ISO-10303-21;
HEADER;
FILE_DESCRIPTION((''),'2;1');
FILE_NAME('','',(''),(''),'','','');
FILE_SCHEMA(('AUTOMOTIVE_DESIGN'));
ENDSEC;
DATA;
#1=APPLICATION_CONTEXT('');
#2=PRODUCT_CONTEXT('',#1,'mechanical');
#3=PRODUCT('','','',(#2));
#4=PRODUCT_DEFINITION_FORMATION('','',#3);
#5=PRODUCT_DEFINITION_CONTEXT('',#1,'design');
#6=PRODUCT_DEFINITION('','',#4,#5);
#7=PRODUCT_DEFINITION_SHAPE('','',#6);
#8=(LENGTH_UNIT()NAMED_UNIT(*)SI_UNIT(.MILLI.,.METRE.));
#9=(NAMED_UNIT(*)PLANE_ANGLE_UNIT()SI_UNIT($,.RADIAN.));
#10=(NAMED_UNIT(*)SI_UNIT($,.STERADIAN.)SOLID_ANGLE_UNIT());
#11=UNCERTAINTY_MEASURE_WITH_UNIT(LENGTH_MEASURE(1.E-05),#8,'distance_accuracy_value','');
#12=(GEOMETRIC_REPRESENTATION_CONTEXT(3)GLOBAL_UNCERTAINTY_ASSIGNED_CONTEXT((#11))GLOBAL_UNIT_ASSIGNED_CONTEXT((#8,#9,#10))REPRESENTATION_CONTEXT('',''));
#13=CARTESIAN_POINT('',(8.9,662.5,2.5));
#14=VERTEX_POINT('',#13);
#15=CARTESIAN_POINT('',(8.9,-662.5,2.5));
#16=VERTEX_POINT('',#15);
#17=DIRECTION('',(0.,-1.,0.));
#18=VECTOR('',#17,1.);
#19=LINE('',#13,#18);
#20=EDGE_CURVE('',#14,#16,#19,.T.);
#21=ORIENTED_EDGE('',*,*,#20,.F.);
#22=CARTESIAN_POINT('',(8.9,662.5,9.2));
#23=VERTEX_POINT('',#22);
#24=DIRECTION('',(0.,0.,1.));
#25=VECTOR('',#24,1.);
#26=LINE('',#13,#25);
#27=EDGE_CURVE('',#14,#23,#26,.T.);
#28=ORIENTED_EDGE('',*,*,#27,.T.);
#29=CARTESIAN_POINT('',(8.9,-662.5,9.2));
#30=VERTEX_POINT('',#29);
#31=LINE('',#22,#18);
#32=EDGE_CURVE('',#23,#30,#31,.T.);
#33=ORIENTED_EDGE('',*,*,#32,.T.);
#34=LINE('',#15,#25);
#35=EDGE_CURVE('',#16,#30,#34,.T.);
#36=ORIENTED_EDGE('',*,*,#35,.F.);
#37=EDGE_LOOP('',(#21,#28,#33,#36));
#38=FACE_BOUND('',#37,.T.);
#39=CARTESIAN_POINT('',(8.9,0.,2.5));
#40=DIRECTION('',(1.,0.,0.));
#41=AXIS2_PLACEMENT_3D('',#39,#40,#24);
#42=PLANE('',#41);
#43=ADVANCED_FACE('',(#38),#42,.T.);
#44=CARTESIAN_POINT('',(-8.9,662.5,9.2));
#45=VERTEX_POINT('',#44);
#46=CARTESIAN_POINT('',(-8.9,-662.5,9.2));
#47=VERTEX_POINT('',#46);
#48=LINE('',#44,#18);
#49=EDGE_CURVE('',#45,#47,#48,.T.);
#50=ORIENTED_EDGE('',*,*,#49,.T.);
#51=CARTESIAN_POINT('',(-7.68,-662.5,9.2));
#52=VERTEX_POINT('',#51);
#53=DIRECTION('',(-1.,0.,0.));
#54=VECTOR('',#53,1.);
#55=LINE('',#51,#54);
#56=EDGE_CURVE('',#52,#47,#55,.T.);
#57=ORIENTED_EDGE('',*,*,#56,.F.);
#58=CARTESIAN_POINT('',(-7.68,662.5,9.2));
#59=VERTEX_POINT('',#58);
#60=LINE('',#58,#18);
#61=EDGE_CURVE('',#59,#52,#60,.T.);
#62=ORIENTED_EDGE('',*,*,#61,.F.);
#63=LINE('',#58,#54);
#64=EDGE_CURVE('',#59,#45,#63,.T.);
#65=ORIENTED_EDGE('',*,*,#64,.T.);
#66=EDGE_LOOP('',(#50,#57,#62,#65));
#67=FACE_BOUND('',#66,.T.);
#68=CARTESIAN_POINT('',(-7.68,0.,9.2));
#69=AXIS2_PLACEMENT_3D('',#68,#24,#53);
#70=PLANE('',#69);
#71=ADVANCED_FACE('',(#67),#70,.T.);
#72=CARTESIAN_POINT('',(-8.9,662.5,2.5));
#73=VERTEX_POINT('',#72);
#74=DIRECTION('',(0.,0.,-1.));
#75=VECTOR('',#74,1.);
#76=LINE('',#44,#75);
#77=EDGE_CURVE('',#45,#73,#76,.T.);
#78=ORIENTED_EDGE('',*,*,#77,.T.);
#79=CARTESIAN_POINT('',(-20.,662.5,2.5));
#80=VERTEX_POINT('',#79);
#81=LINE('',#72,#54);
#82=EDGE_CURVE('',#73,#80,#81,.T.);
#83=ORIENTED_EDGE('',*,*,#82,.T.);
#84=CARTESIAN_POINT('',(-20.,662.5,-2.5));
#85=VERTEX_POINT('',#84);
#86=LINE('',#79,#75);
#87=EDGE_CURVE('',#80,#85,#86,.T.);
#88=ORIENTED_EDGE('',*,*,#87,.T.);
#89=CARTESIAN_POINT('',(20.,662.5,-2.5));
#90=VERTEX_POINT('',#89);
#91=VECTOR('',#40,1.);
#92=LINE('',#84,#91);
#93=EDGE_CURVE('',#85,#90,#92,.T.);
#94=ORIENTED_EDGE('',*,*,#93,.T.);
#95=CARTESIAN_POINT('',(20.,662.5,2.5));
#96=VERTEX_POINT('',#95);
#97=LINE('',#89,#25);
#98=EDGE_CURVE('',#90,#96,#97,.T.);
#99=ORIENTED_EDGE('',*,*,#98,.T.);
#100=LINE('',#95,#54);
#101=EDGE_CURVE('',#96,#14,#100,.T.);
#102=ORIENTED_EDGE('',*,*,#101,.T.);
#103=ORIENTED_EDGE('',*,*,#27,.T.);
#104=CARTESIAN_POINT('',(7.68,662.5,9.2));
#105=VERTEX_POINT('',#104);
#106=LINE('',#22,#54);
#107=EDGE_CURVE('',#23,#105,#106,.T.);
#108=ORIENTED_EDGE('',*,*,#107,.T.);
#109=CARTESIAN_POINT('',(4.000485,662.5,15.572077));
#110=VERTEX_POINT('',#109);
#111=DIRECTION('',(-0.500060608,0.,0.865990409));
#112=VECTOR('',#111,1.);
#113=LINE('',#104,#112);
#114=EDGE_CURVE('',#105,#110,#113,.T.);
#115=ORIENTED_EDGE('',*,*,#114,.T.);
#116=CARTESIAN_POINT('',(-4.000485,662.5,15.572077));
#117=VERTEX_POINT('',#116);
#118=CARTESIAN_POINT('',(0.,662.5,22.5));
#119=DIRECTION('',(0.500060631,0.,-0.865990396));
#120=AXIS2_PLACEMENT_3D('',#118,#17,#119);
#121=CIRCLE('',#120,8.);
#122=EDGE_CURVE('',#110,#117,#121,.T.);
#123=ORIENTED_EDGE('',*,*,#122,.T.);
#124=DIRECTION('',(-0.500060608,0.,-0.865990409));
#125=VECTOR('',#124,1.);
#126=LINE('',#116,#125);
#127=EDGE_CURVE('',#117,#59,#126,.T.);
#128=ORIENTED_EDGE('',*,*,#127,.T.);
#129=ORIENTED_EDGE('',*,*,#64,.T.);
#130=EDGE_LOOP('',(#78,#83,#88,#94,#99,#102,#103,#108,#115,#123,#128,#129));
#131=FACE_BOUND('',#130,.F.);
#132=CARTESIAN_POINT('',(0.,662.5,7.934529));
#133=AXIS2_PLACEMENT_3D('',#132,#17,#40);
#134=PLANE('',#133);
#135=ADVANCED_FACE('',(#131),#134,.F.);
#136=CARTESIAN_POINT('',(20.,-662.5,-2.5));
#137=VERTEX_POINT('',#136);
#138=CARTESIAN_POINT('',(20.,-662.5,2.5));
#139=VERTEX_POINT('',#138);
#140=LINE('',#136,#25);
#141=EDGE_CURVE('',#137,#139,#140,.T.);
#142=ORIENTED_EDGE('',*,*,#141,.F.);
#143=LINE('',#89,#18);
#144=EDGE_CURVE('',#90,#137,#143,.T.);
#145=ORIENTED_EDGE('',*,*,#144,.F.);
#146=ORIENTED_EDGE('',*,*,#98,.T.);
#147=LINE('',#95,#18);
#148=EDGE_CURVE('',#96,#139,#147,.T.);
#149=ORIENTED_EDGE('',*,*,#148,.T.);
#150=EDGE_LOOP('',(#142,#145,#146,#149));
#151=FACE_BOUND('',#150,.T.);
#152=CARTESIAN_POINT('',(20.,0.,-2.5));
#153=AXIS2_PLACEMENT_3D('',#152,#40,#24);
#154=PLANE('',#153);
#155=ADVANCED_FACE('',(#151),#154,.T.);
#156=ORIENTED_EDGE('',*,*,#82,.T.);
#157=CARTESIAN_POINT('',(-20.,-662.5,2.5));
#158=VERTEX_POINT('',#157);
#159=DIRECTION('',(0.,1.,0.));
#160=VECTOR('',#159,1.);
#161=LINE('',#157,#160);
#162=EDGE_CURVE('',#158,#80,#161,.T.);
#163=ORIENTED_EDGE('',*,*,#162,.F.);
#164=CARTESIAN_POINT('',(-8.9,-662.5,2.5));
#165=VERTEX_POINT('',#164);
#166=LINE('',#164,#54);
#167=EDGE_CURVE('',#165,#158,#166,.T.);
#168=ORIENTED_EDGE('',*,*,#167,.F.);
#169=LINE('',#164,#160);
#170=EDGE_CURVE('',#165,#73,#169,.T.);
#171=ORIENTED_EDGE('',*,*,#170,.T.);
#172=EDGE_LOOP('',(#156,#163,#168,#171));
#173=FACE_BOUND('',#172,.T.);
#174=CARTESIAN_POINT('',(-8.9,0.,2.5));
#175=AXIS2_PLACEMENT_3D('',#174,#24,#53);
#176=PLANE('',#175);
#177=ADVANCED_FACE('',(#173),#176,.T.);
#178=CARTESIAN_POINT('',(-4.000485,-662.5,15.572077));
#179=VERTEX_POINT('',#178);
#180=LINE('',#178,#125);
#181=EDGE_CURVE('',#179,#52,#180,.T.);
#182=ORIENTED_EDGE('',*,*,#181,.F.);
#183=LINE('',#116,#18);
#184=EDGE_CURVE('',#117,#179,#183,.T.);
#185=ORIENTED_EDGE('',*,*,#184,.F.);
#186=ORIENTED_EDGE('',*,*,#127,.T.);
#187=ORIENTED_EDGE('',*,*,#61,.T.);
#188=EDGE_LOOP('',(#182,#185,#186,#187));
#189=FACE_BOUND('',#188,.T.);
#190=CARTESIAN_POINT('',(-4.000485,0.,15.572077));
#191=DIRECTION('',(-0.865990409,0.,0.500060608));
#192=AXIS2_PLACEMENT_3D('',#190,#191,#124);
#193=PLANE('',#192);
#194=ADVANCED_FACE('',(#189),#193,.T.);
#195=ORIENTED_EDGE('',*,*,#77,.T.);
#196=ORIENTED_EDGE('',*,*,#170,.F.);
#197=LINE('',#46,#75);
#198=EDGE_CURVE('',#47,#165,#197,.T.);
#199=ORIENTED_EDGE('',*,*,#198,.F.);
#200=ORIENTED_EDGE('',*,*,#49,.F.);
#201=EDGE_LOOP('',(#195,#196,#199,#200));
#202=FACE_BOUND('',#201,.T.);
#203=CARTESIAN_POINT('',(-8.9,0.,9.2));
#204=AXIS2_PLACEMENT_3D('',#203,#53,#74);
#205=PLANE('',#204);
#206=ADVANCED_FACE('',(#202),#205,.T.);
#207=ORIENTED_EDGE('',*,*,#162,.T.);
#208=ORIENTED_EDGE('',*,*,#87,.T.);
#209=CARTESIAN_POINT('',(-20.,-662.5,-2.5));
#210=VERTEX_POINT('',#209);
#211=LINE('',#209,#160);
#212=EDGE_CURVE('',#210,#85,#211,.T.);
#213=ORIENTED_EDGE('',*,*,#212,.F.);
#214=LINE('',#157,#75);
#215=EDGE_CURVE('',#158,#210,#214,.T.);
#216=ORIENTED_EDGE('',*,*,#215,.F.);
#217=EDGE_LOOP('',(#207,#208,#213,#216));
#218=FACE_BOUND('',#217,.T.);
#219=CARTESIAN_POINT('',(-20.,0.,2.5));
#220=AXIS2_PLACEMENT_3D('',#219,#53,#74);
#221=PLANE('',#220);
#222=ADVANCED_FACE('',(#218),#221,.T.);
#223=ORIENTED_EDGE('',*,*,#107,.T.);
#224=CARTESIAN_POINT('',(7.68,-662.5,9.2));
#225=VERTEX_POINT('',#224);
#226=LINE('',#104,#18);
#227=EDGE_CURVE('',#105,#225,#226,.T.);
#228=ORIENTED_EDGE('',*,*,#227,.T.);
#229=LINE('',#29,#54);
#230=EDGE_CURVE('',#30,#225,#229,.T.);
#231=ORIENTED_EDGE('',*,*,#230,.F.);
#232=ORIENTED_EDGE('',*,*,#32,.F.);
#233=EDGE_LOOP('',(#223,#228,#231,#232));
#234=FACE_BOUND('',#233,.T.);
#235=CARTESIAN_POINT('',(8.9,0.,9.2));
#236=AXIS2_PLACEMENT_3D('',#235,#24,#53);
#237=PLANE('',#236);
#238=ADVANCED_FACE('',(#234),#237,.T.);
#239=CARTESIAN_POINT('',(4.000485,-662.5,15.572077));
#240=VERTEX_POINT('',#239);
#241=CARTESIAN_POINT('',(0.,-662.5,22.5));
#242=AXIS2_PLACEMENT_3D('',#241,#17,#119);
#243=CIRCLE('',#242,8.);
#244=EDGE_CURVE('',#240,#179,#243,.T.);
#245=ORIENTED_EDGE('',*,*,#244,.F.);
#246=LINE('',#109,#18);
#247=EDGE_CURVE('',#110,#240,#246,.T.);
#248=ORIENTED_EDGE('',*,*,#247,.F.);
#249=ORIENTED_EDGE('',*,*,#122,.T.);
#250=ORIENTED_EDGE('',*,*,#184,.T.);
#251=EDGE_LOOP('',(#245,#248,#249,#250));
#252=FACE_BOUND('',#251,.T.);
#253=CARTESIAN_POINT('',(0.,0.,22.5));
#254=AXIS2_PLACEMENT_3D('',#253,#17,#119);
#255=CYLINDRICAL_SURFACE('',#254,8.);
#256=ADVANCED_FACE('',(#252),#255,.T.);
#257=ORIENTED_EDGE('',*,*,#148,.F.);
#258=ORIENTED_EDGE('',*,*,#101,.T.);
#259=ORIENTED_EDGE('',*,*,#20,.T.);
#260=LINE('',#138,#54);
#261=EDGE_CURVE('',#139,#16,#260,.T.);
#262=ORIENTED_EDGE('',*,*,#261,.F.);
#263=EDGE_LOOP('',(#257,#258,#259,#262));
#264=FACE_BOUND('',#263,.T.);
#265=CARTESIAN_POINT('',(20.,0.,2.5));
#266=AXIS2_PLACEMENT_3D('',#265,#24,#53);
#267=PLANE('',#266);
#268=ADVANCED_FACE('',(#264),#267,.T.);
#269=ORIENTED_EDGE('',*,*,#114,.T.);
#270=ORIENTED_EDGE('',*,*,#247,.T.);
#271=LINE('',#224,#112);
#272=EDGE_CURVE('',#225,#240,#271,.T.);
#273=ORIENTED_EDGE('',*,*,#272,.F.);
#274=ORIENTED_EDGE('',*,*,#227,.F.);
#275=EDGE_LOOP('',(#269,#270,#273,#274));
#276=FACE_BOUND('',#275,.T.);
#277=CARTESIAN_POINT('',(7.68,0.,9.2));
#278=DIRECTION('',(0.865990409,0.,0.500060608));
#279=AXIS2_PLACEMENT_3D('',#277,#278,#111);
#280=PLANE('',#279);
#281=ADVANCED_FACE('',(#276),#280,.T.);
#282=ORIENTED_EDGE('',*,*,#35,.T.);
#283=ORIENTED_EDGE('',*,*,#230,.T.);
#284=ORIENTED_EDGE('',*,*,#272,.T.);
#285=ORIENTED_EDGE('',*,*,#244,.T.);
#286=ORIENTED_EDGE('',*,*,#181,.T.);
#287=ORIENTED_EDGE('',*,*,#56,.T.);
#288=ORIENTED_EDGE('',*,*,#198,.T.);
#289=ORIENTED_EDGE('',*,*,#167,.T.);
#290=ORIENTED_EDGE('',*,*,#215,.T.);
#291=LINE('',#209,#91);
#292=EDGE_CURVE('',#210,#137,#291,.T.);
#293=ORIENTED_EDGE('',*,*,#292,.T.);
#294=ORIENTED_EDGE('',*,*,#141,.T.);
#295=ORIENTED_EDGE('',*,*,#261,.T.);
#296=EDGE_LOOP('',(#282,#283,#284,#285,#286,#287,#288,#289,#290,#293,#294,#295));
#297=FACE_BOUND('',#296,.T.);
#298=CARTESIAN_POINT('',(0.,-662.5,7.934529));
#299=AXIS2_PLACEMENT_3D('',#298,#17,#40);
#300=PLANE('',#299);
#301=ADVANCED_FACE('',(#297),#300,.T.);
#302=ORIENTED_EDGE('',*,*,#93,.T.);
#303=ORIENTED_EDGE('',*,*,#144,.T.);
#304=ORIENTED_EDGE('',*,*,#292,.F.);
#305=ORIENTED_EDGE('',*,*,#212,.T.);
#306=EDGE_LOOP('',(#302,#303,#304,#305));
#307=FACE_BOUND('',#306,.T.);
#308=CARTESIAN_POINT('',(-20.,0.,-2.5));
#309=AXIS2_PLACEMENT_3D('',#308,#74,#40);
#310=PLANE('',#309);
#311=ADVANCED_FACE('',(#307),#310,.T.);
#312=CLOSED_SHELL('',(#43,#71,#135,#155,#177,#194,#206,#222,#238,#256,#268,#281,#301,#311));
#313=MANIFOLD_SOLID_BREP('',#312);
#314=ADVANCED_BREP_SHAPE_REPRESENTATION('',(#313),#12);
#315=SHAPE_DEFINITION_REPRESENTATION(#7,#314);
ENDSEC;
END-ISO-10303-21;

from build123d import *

# Parameters (mm, degrees)
F1_DEPTH = 662.5


with BuildPart() as f1:
    # F0 (on Front) → F1 (new body, symmetric)
    with BuildSketch(Plane.XZ):
        with BuildLine():
            Line((-20, -2.5), (20, -2.5))
            Line((20, -2.5), (20, 2.5))
            Line((20, 2.5), (8.9, 2.5))
            Line((8.9, 2.5), (8.9, 9.2))
            Line((8.9, 9.2), (7.68, 9.2))
            Line((7.68, 9.2), (4.000485, 15.572077))
            ThreePointArc((4.000485, 15.572077), (0, 30.5), (-4.000485, 15.572077))
            Line((-4.000485, 15.572077), (-7.68, 9.2))
            Line((-7.68, 9.2), (-8.9, 9.2))
            Line((-8.9, 9.2), (-8.9, 2.5))
            Line((-8.9, 2.5), (-20, 2.5))
            Line((-20, 2.5), (-20, -2.5))
        make_face()
    extrude(amount=F1_DEPTH, both=True)


solid = f1.part
